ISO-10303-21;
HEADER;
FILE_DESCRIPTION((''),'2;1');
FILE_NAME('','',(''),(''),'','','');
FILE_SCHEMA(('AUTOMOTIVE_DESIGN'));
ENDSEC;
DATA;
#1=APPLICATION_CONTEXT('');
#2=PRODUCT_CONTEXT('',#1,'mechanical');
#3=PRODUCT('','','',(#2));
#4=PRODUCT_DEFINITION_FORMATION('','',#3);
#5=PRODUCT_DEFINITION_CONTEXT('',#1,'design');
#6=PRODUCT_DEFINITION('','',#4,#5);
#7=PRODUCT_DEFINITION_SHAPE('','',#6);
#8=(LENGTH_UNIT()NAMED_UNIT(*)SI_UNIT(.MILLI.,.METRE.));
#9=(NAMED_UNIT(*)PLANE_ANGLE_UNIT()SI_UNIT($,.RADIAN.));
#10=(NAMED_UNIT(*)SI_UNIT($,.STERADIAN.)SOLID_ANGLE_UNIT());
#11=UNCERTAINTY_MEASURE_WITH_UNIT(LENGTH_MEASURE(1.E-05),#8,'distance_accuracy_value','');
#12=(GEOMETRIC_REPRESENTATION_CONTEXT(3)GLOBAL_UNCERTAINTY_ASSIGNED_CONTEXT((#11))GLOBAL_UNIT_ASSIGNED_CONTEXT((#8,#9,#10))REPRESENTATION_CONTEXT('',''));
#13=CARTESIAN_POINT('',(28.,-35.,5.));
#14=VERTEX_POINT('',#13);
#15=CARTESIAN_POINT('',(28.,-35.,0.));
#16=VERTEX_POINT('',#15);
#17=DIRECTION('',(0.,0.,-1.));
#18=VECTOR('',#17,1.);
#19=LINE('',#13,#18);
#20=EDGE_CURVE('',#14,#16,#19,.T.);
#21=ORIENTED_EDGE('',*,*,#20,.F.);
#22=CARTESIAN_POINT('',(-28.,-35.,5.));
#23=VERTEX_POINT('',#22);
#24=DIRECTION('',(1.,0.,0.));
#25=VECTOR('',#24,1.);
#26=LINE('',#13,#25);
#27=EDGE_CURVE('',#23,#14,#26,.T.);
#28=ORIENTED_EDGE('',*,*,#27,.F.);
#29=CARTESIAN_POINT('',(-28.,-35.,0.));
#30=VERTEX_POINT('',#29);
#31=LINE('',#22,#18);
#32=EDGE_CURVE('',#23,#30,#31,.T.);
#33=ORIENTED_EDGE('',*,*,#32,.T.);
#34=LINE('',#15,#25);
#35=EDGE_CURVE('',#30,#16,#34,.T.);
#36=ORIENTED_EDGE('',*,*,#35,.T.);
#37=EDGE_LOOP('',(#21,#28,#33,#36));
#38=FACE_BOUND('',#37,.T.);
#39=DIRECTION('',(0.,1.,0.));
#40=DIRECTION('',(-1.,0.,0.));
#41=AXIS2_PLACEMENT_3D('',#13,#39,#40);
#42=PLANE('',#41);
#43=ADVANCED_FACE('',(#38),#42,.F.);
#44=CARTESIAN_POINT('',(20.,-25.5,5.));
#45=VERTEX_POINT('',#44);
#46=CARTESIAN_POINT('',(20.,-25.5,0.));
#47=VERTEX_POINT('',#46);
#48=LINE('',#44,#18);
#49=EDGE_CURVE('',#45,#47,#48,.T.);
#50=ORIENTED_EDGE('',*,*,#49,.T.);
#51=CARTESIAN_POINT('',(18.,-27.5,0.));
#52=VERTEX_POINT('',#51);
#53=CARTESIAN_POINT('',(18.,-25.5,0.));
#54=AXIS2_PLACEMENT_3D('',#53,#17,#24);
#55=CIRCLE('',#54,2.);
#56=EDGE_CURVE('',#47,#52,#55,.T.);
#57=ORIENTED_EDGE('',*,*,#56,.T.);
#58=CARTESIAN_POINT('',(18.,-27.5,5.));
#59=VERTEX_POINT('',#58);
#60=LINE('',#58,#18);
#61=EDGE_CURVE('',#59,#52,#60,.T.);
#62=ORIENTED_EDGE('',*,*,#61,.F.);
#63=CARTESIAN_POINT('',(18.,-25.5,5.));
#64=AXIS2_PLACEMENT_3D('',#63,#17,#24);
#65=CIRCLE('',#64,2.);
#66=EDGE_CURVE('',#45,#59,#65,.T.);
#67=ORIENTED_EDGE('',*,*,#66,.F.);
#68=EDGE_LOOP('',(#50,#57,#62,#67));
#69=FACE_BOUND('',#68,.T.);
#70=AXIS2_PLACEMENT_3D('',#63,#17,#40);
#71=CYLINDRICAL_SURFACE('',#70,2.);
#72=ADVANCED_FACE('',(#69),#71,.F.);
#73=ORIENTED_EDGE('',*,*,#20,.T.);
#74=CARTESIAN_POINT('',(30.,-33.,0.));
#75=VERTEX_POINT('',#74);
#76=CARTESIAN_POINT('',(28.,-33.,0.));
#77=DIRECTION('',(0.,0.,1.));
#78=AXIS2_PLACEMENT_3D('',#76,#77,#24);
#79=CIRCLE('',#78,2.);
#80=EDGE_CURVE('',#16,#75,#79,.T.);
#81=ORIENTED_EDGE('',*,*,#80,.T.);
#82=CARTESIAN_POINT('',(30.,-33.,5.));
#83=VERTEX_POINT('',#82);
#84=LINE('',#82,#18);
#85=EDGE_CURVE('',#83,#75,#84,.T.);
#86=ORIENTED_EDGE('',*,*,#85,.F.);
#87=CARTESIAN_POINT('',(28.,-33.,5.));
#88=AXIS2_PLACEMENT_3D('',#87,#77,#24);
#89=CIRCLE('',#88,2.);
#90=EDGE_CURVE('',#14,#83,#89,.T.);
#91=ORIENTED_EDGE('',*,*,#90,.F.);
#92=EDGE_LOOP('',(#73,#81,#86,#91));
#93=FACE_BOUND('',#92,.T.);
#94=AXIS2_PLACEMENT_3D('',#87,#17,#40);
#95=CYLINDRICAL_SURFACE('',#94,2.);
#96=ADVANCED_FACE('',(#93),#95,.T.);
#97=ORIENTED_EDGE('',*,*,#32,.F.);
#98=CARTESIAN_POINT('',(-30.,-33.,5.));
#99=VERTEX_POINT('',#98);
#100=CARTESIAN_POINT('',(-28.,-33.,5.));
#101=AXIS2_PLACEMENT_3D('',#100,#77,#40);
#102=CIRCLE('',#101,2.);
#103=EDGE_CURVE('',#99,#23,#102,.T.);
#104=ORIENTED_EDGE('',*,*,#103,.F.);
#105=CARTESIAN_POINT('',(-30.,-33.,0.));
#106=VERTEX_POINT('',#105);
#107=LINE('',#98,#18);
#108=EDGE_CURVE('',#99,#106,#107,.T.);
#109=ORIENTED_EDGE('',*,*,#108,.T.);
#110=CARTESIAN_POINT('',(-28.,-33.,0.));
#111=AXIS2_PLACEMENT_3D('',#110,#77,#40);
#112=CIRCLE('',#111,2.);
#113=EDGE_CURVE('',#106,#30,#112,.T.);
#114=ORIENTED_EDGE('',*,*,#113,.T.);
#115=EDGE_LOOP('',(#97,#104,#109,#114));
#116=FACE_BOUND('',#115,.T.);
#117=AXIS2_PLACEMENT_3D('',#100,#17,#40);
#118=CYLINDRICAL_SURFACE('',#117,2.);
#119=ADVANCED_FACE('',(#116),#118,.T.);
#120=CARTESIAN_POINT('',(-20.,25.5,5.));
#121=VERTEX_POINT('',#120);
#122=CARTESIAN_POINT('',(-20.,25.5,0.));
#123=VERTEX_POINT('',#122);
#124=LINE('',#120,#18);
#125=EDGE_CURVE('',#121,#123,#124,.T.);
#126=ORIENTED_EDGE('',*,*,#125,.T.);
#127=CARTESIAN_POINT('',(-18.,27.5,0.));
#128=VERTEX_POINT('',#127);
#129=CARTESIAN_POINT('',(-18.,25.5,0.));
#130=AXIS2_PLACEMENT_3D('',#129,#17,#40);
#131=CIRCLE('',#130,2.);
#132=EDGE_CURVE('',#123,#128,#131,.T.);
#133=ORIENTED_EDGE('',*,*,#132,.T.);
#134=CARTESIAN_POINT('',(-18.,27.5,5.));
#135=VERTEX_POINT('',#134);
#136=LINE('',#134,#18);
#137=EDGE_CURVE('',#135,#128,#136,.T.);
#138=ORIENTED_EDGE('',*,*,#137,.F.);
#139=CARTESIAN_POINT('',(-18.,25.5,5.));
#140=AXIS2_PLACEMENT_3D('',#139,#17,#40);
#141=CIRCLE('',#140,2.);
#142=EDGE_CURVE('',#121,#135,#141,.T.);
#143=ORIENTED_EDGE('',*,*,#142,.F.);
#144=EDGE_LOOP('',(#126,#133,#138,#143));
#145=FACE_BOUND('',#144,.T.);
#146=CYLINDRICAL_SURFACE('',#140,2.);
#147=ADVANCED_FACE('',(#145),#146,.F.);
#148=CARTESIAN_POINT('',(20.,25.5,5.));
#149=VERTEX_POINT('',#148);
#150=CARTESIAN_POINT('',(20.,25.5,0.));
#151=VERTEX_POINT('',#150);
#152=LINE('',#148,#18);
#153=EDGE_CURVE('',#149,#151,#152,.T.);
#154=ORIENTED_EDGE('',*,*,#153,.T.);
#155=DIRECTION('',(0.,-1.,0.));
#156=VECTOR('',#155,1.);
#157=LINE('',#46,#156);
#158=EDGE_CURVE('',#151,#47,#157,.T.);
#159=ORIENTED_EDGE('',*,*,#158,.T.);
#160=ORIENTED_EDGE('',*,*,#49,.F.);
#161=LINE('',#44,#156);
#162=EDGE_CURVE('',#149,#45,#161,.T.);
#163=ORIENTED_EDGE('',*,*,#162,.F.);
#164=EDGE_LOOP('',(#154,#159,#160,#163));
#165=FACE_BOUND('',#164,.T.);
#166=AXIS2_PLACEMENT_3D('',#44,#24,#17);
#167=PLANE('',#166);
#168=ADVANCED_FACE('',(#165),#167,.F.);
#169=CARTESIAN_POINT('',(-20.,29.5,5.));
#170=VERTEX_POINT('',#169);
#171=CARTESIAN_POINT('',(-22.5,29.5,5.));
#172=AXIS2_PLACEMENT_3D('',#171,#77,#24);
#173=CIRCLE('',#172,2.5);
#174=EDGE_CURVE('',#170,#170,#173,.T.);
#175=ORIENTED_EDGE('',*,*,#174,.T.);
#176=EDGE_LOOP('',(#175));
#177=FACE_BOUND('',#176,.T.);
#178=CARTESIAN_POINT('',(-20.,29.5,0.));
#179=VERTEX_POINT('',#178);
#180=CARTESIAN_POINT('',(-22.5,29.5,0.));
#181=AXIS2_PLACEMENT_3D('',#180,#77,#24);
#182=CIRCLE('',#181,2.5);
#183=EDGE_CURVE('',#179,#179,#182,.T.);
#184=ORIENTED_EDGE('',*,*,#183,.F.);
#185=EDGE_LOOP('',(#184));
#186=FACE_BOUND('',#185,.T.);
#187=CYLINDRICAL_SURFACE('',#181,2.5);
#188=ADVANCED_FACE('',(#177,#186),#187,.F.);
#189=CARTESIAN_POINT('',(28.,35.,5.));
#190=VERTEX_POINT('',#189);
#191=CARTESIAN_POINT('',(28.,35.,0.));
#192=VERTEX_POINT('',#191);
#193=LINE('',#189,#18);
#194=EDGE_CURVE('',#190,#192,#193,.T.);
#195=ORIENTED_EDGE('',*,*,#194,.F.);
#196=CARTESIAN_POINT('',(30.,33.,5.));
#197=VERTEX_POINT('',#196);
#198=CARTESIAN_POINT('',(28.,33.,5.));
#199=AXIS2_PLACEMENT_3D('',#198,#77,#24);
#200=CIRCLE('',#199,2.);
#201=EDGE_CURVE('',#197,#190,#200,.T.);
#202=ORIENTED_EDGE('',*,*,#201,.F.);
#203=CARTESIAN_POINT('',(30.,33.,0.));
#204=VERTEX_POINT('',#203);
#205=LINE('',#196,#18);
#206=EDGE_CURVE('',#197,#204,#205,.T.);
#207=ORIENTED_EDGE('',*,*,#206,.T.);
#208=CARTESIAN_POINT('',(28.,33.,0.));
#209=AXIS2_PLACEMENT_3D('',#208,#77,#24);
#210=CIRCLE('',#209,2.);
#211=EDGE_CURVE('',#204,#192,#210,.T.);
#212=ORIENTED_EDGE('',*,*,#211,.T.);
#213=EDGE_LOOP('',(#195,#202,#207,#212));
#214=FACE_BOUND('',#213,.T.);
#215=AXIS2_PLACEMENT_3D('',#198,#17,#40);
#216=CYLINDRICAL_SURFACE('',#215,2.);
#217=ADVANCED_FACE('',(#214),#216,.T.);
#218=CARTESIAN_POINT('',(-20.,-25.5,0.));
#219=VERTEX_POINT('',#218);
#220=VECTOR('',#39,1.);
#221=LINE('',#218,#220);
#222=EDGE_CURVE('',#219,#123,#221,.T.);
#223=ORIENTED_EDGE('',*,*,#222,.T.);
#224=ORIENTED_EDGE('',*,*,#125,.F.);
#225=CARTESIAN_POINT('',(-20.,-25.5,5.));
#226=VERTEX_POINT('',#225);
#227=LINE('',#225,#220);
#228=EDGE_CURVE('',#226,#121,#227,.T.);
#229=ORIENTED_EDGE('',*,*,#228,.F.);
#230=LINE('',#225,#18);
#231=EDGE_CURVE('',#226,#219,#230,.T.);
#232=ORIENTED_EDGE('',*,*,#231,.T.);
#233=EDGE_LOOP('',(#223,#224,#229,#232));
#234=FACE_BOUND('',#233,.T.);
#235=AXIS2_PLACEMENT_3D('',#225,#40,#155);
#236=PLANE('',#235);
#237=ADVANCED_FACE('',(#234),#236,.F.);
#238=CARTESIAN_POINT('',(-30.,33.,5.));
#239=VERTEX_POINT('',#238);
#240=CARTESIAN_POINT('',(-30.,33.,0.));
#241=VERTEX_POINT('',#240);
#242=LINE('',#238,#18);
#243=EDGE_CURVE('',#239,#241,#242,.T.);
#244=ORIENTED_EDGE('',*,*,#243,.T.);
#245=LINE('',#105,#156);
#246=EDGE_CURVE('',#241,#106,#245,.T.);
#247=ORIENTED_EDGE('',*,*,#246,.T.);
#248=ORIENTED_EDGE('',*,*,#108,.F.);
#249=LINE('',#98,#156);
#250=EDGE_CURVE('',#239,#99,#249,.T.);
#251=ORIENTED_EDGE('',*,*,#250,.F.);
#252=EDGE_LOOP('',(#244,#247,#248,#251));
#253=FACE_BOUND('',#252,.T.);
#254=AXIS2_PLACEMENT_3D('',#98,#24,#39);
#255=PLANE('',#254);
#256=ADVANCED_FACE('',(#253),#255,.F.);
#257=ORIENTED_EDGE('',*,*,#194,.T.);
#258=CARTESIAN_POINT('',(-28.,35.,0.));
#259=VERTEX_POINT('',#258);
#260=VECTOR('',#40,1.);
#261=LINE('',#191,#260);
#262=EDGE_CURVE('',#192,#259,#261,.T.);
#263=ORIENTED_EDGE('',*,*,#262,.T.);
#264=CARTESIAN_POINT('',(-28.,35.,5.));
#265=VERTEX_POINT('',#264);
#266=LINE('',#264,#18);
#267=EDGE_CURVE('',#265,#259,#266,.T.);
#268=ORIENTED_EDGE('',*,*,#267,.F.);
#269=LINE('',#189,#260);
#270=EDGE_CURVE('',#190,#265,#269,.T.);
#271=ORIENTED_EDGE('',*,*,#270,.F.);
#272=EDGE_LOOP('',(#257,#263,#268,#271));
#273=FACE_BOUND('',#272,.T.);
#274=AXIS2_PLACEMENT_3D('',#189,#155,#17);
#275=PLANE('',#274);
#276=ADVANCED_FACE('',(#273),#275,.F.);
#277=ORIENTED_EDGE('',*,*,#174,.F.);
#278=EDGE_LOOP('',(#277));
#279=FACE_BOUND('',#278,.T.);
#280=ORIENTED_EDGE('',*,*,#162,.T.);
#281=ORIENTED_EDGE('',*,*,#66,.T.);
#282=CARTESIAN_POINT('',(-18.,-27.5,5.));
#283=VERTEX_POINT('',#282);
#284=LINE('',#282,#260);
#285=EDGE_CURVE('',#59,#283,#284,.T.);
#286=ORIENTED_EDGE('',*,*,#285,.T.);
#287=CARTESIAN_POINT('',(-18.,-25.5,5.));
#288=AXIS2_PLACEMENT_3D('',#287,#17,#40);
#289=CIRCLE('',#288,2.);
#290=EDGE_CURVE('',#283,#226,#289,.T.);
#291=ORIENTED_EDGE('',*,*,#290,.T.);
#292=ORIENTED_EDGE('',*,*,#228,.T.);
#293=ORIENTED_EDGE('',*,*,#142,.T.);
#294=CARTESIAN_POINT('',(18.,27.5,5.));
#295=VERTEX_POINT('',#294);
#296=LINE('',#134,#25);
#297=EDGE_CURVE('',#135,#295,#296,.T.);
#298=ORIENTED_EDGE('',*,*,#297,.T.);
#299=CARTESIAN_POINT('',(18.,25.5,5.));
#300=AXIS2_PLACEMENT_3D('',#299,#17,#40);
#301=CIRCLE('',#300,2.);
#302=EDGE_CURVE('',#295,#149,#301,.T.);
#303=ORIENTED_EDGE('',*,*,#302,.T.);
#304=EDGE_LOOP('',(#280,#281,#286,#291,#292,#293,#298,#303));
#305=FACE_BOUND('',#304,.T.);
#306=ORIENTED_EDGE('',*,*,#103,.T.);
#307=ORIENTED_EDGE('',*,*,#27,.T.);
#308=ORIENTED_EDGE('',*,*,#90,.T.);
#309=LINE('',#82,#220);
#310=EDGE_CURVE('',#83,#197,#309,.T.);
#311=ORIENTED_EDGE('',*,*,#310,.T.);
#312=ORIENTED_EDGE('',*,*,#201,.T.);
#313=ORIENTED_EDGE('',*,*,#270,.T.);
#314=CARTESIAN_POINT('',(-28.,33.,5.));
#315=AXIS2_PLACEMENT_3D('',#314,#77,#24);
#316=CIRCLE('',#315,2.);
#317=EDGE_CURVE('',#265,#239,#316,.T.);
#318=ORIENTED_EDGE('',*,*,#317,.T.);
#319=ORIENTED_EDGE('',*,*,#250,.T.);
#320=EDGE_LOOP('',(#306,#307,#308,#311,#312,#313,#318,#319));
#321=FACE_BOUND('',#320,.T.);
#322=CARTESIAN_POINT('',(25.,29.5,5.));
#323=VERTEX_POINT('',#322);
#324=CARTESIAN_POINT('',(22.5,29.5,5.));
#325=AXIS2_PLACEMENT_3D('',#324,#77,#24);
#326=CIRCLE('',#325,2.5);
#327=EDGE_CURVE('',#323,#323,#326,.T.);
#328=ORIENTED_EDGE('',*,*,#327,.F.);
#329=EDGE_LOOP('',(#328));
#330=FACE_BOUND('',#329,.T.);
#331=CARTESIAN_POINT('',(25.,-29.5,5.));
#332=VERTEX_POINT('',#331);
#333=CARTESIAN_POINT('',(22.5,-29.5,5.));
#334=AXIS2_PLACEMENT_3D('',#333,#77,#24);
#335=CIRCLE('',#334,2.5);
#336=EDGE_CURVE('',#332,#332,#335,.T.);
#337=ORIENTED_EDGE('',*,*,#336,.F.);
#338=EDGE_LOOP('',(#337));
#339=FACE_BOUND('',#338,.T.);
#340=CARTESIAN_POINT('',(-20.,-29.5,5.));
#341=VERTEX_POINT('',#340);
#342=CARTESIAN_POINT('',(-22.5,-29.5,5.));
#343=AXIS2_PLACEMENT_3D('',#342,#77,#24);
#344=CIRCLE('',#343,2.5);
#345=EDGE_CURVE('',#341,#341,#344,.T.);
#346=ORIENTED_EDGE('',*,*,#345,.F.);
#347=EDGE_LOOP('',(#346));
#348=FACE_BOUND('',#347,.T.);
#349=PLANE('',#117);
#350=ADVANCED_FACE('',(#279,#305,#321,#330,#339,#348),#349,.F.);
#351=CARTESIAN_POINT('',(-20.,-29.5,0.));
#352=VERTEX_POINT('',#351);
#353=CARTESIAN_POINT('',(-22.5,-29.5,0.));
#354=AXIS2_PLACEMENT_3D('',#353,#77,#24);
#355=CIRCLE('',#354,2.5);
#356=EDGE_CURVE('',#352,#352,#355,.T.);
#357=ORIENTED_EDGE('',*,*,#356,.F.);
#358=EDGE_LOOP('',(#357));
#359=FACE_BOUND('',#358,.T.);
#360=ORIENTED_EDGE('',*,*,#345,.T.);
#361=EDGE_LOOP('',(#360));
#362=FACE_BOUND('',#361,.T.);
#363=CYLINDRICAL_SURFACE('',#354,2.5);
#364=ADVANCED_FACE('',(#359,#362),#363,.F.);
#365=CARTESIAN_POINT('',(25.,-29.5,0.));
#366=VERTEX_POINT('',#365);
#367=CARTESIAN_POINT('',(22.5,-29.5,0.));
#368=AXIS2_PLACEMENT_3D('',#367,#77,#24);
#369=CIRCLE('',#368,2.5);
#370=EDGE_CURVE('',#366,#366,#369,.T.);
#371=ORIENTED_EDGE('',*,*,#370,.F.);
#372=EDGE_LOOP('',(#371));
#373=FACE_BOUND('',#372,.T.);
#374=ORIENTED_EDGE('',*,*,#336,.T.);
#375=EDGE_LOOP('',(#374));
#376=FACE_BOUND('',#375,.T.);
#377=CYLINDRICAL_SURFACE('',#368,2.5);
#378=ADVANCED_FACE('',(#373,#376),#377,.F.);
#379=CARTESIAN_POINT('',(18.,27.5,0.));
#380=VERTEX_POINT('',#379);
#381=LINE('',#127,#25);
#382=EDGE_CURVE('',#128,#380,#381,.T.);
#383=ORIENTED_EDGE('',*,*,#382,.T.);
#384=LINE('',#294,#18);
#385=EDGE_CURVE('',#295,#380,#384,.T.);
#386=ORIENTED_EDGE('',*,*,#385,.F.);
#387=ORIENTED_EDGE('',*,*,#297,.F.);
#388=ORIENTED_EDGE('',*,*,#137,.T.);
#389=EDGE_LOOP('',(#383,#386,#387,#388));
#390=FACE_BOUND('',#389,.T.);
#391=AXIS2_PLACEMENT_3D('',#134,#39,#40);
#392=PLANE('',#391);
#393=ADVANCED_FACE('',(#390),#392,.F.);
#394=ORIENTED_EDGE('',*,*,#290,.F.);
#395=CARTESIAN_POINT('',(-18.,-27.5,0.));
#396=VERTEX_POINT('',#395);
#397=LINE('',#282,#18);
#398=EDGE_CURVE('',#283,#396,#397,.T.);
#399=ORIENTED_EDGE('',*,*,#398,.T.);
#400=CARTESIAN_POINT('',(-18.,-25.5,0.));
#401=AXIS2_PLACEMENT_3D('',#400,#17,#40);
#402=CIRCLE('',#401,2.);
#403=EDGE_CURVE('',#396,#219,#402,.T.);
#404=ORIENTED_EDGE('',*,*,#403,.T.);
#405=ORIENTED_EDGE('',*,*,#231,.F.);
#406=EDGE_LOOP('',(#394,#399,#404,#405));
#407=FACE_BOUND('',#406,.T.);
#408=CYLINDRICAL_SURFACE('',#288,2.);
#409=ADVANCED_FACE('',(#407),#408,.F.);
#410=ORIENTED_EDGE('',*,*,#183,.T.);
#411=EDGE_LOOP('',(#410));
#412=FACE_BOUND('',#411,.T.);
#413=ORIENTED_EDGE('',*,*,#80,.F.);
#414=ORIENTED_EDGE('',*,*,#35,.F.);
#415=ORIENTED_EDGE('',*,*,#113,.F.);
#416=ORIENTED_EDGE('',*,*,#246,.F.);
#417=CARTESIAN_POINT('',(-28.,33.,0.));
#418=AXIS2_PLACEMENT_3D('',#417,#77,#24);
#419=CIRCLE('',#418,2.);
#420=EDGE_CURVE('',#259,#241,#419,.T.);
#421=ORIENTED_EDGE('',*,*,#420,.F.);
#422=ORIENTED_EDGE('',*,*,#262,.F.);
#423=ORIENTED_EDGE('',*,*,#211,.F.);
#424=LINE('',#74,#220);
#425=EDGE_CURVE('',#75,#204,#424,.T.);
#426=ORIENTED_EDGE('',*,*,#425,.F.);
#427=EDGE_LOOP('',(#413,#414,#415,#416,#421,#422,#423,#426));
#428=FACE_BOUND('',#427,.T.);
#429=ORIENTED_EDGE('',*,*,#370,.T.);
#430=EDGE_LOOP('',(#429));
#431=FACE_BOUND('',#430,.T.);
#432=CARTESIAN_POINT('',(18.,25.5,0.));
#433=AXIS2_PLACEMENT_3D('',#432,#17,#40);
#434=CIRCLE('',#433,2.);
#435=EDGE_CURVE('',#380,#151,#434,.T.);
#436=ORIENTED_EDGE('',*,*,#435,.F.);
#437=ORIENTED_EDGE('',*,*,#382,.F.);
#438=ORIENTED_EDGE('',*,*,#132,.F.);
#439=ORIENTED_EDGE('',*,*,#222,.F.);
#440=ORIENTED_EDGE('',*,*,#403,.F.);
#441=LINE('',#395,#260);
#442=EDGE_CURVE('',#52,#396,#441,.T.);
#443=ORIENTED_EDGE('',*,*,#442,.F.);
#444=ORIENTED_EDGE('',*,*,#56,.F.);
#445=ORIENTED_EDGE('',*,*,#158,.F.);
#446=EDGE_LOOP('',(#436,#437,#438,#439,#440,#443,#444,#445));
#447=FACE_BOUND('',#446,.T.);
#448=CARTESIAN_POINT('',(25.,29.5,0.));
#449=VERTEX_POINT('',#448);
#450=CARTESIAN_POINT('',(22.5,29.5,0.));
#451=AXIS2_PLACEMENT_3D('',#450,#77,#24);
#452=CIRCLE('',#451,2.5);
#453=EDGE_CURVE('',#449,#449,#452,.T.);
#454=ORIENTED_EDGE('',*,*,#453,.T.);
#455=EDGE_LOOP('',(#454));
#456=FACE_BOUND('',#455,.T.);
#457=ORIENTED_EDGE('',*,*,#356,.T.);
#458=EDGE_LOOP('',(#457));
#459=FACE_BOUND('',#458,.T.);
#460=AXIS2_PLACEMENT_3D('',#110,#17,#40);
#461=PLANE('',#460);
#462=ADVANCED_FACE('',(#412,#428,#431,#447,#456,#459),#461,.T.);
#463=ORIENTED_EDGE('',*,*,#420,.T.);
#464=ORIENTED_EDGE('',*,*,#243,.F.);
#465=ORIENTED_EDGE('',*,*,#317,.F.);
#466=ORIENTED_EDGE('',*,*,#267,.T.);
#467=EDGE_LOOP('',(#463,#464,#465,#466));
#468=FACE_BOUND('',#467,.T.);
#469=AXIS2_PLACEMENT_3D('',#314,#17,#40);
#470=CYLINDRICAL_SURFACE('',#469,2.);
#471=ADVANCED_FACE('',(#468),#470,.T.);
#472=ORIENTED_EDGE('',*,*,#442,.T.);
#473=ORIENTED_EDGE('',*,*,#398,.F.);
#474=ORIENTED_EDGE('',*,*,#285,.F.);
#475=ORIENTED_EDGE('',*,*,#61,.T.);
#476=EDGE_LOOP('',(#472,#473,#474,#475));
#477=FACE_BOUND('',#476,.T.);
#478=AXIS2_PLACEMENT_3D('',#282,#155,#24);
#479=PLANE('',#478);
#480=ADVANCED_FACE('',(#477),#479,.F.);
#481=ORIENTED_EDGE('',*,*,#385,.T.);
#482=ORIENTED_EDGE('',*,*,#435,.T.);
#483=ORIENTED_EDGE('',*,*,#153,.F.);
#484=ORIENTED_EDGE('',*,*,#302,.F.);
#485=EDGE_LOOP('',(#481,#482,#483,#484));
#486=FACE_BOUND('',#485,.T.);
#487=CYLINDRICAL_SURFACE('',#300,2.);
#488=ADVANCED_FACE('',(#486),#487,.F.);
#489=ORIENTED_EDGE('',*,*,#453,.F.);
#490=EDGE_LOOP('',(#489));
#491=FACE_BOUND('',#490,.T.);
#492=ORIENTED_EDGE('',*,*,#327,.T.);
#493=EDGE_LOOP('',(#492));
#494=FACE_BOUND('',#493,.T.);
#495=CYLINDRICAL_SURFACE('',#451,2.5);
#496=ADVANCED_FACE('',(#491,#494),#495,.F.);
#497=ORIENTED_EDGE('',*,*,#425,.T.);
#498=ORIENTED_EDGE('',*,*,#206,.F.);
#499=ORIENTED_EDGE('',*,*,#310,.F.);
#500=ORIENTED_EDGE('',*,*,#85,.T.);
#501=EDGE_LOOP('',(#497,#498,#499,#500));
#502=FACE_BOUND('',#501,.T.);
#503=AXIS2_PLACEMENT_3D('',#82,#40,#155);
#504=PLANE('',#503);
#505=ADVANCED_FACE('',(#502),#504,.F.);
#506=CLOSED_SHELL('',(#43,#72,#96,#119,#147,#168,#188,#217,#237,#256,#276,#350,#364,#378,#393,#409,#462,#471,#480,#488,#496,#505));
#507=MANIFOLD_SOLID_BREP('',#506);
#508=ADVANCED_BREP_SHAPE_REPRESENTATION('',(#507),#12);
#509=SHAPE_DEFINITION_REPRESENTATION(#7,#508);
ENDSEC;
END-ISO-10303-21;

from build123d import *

# Parameters (mm, degrees)
BOSS_EXTRU_1_DEPTH      = 5
ENL_V_MAT_EXTRU_1_DEPTH = 47.368092477
ESQUISSE3_R             = 2.5
ENL_V_MAT_EXTRU_2_DEPTH = 47.368092477


with BuildPart() as part:
    # Esquisse1 → Boss.-Extru.1 (new body)
    with BuildSketch(Plane.XY):
        with BuildLine():
            Line((28, -35), (-28, -35))
            ThreePointArc((-28, -35), (-29.414213562, -34.414213562), (-30, -33))
            Line((-30, -33), (-30, 33))
            ThreePointArc((-30, 33), (-29.414213562, 34.414213562), (-28, 35))
            Line((-28, 35), (28, 35))
            ThreePointArc((28, 35), (29.414213562, 34.414213562), (30, 33))
            Line((30, 33), (30, -33))
            ThreePointArc((30, -33), (29.414213562, -34.414213562), (28, -35))
        make_face()
    extrude(amount=BOSS_EXTRU_1_DEPTH)

    # Esquisse2 → Enlèv. mat.-Extru.1 (cut, through all)
    with BuildSketch(Plane(origin=(0, 0, 0), x_dir=(-1, 0, 0), z_dir=(0, 0, -1))):
        with BuildLine():
            Line((18, -27.5), (-18, -27.5))
            ThreePointArc((-18, -27.5), (-19.414213562, -26.914213562), (-20, -25.5))
            Line((-20, -25.5), (-20, 25.5))
            ThreePointArc((-20, 25.5), (-19.414213562, 26.914213562), (-18, 27.5))
            Line((-18, 27.5), (18, 27.5))
            ThreePointArc((18, 27.5), (19.414213562, 26.914213562), (20, 25.5))
            Line((20, 25.5), (20, -25.5))
            ThreePointArc((20, -25.5), (19.414213562, -26.914213562), (18, -27.5))
        make_face()
    extrude(amount=-ENL_V_MAT_EXTRU_1_DEPTH, mode=Mode.SUBTRACT)

    # Esquisse3 → Enlèv. mat.-Extru.2 (cut, through all)
    with BuildSketch(Plane.XY.offset(5)):
        with Locations((-22.5, -29.5)):
            Circle(ESQUISSE3_R)
        with Locations((22.5, -29.5)):
            Circle(ESQUISSE3_R)
        with Locations((-22.5, 29.5)):
            Circle(ESQUISSE3_R)
        with Locations((22.5, 29.5)):
            Circle(ESQUISSE3_R)
    extrude(amount=-ENL_V_MAT_EXTRU_2_DEPTH, mode=Mode.SUBTRACT)


solid = part.part
